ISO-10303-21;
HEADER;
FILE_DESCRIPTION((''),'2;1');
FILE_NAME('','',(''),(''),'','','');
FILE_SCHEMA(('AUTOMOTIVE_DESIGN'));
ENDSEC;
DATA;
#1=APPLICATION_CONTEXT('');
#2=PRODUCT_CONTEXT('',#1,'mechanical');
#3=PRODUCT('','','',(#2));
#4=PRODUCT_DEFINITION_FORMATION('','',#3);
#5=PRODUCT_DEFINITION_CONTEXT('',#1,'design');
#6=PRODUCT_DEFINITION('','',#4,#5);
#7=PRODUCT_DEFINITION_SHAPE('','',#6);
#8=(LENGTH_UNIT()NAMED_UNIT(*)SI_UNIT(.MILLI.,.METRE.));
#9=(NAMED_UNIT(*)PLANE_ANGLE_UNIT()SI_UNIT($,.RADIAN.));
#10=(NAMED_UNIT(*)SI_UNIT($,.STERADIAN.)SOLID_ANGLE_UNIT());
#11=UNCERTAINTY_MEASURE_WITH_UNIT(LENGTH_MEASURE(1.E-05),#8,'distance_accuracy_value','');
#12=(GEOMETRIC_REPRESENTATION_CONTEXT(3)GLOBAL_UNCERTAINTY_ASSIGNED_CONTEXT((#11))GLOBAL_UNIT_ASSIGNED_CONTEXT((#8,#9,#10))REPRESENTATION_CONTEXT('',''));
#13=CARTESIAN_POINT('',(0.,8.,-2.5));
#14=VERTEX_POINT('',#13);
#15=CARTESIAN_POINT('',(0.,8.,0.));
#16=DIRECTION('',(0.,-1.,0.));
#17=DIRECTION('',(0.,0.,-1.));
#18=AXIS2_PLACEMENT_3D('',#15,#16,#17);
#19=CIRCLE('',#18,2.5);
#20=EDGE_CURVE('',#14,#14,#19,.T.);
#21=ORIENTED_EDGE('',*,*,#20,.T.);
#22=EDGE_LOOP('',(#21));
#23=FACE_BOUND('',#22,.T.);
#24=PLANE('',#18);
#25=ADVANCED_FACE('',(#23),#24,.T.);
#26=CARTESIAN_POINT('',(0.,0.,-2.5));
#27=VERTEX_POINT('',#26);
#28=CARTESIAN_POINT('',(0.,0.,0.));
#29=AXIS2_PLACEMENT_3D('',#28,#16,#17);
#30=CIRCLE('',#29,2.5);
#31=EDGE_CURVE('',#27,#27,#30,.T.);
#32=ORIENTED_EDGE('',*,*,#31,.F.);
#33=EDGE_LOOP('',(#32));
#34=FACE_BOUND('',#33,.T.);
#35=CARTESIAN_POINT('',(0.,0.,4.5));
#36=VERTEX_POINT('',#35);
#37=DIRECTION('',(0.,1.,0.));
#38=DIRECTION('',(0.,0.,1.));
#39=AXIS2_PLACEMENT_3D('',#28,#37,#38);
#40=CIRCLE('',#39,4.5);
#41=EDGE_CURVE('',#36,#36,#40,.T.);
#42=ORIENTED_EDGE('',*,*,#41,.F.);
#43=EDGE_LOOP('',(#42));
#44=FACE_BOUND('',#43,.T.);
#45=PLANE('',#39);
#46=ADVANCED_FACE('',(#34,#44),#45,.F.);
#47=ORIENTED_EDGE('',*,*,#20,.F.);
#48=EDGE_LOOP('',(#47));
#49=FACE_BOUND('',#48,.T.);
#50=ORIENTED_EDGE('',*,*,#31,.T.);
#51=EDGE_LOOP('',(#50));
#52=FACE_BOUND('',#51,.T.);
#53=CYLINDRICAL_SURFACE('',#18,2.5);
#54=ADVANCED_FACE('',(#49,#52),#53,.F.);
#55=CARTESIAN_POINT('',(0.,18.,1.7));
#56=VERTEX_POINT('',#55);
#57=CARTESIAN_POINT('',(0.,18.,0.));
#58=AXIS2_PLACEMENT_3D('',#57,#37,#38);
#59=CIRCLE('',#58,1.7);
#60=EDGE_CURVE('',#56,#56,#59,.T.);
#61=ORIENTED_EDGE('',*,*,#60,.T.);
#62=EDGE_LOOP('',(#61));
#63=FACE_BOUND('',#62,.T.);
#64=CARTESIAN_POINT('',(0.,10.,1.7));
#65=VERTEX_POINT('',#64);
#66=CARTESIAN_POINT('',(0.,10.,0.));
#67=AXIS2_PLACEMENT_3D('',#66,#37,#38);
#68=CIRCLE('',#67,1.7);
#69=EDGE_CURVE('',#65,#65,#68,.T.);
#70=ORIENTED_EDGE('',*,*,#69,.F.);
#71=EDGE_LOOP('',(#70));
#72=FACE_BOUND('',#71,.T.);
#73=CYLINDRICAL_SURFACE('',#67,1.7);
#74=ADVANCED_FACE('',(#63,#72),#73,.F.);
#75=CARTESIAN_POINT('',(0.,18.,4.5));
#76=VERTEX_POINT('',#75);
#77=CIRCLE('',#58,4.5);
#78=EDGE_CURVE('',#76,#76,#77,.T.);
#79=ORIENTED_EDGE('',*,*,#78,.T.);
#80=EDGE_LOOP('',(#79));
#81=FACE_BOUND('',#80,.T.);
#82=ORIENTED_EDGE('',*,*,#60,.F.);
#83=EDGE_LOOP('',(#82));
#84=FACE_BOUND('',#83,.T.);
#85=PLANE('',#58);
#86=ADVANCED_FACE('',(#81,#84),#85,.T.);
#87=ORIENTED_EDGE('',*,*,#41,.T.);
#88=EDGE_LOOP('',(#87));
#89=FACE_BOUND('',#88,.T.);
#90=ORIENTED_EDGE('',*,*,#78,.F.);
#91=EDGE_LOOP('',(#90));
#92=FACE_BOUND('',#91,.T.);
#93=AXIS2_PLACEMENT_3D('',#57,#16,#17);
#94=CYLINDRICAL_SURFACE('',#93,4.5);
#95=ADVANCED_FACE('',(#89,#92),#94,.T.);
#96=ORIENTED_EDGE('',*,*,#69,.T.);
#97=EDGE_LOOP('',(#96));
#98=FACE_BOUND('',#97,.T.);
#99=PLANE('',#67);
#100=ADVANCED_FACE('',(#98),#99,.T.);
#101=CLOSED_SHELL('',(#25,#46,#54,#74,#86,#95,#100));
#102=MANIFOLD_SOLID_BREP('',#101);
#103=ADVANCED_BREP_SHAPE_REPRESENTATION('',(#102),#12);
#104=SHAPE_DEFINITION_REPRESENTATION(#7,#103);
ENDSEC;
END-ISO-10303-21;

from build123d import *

# Parameters (mm, degrees)
SKETCH1_R           = 4.5
BOSS_EXTRUDE1_DEPTH = 18
SKETCH2_R           = 1.7
CUT_EXTRUDE1_DEPTH  = 8
SKETCH3_R           = 2.5
CUT_EXTRUDE2_DEPTH  = 8


with BuildPart() as part:
    # Sketch1 → Boss-Extrude1 (new body)
    with BuildSketch(Plane(origin=(0, 0, 0), x_dir=(1, 0, 0), z_dir=(0, 1, 0))):
        with Locations(Location((0, 0, 0), (0, 0, 270))):
            Circle(SKETCH1_R)
    extrude(amount=BOSS_EXTRUDE1_DEPTH)

    # Sketch2 → Cut-Extrude1 (cut)
    with BuildSketch(Plane(origin=(0, 18, 0), x_dir=(1, 0, 0), z_dir=(0, 1, 0))):
        with Locations(Location((0, 0, 0), (0, 0, 270))):
            Circle(SKETCH2_R)
    extrude(amount=-CUT_EXTRUDE1_DEPTH, mode=Mode.SUBTRACT)

    # Sketch3 → Cut-Extrude2 (cut)
    with BuildSketch(Plane.XZ):
        with Locations(Location((0, 0, 0), (0, 0, 270))):
            Circle(SKETCH3_R)
    extrude(amount=-CUT_EXTRUDE2_DEPTH, mode=Mode.SUBTRACT)


solid = part.part
